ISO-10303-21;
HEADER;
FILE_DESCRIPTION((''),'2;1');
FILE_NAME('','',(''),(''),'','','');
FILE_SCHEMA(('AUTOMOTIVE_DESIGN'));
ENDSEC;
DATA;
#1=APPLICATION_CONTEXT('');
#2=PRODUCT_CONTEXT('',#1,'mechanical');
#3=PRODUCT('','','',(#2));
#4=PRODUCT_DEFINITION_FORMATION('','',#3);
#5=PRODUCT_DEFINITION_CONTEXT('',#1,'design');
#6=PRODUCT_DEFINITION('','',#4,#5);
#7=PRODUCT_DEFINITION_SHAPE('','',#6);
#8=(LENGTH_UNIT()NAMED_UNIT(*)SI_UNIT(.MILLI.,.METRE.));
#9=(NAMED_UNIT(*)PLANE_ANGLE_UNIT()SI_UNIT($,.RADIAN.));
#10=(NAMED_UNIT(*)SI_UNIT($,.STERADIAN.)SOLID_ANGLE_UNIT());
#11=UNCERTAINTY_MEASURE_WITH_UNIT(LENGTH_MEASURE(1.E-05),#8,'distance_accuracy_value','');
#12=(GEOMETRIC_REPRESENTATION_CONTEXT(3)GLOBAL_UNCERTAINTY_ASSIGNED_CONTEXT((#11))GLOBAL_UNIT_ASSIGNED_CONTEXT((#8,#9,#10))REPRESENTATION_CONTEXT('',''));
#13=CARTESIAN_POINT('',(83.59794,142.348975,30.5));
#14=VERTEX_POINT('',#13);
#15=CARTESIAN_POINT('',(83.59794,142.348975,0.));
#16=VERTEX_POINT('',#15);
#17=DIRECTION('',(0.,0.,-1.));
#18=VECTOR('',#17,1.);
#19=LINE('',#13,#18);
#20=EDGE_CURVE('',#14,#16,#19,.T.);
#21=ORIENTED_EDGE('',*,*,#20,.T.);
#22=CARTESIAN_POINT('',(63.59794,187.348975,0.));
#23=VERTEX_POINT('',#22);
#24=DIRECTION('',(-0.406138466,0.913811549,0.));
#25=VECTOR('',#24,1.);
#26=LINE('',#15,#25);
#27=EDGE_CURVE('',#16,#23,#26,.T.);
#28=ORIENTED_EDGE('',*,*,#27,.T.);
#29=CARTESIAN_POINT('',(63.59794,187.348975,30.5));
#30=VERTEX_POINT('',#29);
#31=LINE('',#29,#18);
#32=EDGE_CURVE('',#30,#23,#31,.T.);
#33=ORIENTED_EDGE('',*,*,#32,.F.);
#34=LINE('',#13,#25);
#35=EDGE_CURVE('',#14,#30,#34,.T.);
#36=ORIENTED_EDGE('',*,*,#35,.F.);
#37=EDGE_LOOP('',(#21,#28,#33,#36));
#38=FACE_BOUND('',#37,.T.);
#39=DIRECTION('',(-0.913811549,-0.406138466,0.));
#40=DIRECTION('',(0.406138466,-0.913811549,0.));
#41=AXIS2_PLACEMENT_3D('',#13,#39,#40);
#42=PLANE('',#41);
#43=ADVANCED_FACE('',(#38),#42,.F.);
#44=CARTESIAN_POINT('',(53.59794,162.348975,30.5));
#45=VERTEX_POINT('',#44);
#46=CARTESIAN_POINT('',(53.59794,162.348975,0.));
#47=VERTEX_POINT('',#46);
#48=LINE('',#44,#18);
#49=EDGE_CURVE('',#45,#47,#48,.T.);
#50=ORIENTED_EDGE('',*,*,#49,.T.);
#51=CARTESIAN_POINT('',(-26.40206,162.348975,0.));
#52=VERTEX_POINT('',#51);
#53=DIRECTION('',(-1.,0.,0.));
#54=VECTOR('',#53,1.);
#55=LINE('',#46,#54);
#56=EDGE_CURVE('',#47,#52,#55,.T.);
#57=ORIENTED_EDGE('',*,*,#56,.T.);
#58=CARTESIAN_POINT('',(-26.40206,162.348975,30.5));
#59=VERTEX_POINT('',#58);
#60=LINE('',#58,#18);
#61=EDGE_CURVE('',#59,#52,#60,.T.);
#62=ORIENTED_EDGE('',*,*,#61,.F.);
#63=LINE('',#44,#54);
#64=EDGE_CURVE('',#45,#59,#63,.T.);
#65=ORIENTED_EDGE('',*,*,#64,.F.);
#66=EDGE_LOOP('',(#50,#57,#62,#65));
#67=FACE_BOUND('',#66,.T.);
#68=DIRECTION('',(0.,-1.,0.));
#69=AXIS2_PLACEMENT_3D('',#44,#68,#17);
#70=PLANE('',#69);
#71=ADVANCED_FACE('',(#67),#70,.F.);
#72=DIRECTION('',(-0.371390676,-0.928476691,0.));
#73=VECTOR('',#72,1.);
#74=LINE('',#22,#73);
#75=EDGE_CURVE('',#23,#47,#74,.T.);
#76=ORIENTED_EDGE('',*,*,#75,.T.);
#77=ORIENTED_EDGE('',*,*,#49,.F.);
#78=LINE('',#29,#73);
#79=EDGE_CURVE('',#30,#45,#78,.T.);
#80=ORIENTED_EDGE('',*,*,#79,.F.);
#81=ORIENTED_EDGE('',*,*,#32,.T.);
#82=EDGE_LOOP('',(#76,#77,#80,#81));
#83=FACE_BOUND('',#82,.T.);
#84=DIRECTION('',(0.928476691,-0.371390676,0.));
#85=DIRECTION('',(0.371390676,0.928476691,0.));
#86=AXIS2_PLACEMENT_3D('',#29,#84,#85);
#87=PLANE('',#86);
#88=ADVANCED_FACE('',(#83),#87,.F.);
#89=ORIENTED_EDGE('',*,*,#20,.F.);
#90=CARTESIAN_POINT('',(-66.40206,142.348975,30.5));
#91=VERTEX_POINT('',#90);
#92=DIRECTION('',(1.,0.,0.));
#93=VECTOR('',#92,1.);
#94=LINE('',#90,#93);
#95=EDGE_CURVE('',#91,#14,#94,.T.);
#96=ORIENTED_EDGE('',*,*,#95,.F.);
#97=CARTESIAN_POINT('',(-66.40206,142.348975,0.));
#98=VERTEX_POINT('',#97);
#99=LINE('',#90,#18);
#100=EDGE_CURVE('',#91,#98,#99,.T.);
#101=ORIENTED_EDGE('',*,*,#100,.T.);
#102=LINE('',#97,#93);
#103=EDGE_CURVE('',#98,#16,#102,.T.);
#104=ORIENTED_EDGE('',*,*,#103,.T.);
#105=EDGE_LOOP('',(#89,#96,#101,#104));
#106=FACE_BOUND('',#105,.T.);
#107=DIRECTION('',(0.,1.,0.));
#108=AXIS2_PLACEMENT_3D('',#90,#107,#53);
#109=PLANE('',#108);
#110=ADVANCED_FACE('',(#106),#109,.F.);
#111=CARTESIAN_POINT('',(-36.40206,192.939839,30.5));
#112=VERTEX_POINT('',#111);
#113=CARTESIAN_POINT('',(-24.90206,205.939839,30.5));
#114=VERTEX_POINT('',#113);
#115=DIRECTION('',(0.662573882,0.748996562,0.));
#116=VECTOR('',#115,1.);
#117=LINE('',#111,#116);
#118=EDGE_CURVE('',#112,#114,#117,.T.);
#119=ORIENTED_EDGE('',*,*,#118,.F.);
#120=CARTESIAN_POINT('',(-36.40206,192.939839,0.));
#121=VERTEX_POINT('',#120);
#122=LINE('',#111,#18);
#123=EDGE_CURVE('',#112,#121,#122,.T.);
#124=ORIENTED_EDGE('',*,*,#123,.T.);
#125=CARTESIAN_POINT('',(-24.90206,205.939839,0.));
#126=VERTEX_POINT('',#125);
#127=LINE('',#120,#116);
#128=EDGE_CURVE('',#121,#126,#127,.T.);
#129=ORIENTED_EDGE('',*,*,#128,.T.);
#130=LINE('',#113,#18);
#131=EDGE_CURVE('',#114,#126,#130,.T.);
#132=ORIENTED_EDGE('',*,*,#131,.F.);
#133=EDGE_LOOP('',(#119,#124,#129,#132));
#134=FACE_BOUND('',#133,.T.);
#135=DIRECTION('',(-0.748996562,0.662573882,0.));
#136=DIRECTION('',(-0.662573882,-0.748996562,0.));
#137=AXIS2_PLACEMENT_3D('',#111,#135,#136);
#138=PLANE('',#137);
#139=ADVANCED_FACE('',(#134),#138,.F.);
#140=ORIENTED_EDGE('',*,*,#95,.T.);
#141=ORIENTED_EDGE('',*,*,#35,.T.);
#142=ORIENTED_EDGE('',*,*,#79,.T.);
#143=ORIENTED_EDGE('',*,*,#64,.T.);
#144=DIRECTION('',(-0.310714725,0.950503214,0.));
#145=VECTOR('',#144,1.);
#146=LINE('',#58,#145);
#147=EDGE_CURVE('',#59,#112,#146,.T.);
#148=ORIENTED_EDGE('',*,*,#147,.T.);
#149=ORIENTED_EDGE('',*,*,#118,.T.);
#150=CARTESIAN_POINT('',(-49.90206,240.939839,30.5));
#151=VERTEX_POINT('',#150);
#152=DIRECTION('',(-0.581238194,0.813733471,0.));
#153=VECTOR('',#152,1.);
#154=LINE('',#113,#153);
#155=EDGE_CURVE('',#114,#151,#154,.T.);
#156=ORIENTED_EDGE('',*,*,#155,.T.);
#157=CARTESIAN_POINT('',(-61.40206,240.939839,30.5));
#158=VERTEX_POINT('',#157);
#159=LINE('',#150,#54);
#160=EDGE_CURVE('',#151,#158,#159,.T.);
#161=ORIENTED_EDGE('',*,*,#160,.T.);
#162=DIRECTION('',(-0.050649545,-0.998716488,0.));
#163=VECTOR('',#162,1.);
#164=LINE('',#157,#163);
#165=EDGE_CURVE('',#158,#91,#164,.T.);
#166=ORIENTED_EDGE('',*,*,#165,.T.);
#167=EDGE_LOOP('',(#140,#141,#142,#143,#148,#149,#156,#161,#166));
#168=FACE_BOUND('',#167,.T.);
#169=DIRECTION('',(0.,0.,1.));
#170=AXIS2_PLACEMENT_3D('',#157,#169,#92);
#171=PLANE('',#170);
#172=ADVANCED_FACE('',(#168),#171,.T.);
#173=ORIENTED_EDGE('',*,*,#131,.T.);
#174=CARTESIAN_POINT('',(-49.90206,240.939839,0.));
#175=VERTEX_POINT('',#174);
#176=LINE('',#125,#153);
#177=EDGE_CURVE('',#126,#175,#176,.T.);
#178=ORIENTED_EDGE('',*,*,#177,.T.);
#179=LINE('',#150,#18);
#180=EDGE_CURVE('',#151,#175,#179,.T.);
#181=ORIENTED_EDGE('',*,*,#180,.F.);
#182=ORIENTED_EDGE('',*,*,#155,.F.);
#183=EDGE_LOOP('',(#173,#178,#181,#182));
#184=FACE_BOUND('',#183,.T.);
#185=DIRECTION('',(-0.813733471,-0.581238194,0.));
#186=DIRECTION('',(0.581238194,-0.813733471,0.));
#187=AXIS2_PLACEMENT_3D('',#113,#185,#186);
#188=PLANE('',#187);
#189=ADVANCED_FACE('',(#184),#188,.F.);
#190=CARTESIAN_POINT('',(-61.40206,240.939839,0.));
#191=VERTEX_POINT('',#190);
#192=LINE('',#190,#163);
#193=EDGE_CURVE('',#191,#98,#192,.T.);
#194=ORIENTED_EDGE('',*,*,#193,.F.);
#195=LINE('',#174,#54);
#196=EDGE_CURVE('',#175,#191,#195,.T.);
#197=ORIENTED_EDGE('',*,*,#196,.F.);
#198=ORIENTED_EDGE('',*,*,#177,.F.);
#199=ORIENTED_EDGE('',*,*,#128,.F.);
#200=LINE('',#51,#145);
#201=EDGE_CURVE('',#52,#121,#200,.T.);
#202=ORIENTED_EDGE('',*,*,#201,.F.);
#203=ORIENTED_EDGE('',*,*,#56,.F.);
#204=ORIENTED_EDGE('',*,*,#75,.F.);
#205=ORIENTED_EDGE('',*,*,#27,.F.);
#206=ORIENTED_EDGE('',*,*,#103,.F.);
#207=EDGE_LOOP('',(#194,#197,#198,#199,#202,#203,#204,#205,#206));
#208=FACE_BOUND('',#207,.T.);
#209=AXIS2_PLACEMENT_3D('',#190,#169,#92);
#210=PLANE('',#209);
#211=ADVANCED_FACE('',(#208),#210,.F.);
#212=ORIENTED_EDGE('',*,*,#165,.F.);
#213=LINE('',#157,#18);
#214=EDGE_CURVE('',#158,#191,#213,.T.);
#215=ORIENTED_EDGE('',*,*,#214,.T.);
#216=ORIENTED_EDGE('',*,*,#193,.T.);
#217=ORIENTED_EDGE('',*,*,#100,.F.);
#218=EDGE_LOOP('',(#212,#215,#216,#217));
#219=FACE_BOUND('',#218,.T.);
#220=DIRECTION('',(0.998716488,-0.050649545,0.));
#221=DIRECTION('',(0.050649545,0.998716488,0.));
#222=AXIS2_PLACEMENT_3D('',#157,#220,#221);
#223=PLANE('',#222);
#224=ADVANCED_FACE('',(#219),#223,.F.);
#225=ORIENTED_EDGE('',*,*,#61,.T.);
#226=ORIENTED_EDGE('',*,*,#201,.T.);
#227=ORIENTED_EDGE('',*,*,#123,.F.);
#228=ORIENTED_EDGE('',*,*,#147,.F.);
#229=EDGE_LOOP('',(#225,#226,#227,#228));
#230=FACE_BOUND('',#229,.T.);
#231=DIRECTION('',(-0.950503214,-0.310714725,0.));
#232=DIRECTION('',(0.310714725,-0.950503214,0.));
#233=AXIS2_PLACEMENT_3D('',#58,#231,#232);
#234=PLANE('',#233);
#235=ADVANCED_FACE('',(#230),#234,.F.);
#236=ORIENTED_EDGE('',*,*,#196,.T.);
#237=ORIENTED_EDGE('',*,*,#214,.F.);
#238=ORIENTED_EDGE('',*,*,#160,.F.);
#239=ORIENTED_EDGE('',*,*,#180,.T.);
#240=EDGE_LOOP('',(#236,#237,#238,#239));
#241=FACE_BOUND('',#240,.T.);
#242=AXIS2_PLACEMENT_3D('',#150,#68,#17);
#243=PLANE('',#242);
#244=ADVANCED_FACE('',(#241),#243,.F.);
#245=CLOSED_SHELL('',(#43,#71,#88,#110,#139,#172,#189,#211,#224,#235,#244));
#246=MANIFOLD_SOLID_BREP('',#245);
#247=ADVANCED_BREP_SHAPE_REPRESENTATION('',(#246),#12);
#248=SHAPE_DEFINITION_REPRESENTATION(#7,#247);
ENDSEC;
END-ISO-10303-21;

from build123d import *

# Parameters (mm, degrees)
EXTRUDE1_DEPTH = 30.5


with BuildPart() as part:
    # Sketch2 → Extrude1 (new body)
    with BuildSketch(Plane.XY):
        Polygon((-61.402059979, 240.939839483), (-66.402059979, 142.348974725), (83.597940021, 142.348974725), (63.597940021, 187.348974725), (53.597940021, 162.348974725), (-26.402059979, 162.348974725), (-36.402059979, 192.939839483), (-24.902059979, 205.939839483), (-49.902059979, 240.939839483), align=None)
    extrude(amount=EXTRUDE1_DEPTH)


solid = part.part
